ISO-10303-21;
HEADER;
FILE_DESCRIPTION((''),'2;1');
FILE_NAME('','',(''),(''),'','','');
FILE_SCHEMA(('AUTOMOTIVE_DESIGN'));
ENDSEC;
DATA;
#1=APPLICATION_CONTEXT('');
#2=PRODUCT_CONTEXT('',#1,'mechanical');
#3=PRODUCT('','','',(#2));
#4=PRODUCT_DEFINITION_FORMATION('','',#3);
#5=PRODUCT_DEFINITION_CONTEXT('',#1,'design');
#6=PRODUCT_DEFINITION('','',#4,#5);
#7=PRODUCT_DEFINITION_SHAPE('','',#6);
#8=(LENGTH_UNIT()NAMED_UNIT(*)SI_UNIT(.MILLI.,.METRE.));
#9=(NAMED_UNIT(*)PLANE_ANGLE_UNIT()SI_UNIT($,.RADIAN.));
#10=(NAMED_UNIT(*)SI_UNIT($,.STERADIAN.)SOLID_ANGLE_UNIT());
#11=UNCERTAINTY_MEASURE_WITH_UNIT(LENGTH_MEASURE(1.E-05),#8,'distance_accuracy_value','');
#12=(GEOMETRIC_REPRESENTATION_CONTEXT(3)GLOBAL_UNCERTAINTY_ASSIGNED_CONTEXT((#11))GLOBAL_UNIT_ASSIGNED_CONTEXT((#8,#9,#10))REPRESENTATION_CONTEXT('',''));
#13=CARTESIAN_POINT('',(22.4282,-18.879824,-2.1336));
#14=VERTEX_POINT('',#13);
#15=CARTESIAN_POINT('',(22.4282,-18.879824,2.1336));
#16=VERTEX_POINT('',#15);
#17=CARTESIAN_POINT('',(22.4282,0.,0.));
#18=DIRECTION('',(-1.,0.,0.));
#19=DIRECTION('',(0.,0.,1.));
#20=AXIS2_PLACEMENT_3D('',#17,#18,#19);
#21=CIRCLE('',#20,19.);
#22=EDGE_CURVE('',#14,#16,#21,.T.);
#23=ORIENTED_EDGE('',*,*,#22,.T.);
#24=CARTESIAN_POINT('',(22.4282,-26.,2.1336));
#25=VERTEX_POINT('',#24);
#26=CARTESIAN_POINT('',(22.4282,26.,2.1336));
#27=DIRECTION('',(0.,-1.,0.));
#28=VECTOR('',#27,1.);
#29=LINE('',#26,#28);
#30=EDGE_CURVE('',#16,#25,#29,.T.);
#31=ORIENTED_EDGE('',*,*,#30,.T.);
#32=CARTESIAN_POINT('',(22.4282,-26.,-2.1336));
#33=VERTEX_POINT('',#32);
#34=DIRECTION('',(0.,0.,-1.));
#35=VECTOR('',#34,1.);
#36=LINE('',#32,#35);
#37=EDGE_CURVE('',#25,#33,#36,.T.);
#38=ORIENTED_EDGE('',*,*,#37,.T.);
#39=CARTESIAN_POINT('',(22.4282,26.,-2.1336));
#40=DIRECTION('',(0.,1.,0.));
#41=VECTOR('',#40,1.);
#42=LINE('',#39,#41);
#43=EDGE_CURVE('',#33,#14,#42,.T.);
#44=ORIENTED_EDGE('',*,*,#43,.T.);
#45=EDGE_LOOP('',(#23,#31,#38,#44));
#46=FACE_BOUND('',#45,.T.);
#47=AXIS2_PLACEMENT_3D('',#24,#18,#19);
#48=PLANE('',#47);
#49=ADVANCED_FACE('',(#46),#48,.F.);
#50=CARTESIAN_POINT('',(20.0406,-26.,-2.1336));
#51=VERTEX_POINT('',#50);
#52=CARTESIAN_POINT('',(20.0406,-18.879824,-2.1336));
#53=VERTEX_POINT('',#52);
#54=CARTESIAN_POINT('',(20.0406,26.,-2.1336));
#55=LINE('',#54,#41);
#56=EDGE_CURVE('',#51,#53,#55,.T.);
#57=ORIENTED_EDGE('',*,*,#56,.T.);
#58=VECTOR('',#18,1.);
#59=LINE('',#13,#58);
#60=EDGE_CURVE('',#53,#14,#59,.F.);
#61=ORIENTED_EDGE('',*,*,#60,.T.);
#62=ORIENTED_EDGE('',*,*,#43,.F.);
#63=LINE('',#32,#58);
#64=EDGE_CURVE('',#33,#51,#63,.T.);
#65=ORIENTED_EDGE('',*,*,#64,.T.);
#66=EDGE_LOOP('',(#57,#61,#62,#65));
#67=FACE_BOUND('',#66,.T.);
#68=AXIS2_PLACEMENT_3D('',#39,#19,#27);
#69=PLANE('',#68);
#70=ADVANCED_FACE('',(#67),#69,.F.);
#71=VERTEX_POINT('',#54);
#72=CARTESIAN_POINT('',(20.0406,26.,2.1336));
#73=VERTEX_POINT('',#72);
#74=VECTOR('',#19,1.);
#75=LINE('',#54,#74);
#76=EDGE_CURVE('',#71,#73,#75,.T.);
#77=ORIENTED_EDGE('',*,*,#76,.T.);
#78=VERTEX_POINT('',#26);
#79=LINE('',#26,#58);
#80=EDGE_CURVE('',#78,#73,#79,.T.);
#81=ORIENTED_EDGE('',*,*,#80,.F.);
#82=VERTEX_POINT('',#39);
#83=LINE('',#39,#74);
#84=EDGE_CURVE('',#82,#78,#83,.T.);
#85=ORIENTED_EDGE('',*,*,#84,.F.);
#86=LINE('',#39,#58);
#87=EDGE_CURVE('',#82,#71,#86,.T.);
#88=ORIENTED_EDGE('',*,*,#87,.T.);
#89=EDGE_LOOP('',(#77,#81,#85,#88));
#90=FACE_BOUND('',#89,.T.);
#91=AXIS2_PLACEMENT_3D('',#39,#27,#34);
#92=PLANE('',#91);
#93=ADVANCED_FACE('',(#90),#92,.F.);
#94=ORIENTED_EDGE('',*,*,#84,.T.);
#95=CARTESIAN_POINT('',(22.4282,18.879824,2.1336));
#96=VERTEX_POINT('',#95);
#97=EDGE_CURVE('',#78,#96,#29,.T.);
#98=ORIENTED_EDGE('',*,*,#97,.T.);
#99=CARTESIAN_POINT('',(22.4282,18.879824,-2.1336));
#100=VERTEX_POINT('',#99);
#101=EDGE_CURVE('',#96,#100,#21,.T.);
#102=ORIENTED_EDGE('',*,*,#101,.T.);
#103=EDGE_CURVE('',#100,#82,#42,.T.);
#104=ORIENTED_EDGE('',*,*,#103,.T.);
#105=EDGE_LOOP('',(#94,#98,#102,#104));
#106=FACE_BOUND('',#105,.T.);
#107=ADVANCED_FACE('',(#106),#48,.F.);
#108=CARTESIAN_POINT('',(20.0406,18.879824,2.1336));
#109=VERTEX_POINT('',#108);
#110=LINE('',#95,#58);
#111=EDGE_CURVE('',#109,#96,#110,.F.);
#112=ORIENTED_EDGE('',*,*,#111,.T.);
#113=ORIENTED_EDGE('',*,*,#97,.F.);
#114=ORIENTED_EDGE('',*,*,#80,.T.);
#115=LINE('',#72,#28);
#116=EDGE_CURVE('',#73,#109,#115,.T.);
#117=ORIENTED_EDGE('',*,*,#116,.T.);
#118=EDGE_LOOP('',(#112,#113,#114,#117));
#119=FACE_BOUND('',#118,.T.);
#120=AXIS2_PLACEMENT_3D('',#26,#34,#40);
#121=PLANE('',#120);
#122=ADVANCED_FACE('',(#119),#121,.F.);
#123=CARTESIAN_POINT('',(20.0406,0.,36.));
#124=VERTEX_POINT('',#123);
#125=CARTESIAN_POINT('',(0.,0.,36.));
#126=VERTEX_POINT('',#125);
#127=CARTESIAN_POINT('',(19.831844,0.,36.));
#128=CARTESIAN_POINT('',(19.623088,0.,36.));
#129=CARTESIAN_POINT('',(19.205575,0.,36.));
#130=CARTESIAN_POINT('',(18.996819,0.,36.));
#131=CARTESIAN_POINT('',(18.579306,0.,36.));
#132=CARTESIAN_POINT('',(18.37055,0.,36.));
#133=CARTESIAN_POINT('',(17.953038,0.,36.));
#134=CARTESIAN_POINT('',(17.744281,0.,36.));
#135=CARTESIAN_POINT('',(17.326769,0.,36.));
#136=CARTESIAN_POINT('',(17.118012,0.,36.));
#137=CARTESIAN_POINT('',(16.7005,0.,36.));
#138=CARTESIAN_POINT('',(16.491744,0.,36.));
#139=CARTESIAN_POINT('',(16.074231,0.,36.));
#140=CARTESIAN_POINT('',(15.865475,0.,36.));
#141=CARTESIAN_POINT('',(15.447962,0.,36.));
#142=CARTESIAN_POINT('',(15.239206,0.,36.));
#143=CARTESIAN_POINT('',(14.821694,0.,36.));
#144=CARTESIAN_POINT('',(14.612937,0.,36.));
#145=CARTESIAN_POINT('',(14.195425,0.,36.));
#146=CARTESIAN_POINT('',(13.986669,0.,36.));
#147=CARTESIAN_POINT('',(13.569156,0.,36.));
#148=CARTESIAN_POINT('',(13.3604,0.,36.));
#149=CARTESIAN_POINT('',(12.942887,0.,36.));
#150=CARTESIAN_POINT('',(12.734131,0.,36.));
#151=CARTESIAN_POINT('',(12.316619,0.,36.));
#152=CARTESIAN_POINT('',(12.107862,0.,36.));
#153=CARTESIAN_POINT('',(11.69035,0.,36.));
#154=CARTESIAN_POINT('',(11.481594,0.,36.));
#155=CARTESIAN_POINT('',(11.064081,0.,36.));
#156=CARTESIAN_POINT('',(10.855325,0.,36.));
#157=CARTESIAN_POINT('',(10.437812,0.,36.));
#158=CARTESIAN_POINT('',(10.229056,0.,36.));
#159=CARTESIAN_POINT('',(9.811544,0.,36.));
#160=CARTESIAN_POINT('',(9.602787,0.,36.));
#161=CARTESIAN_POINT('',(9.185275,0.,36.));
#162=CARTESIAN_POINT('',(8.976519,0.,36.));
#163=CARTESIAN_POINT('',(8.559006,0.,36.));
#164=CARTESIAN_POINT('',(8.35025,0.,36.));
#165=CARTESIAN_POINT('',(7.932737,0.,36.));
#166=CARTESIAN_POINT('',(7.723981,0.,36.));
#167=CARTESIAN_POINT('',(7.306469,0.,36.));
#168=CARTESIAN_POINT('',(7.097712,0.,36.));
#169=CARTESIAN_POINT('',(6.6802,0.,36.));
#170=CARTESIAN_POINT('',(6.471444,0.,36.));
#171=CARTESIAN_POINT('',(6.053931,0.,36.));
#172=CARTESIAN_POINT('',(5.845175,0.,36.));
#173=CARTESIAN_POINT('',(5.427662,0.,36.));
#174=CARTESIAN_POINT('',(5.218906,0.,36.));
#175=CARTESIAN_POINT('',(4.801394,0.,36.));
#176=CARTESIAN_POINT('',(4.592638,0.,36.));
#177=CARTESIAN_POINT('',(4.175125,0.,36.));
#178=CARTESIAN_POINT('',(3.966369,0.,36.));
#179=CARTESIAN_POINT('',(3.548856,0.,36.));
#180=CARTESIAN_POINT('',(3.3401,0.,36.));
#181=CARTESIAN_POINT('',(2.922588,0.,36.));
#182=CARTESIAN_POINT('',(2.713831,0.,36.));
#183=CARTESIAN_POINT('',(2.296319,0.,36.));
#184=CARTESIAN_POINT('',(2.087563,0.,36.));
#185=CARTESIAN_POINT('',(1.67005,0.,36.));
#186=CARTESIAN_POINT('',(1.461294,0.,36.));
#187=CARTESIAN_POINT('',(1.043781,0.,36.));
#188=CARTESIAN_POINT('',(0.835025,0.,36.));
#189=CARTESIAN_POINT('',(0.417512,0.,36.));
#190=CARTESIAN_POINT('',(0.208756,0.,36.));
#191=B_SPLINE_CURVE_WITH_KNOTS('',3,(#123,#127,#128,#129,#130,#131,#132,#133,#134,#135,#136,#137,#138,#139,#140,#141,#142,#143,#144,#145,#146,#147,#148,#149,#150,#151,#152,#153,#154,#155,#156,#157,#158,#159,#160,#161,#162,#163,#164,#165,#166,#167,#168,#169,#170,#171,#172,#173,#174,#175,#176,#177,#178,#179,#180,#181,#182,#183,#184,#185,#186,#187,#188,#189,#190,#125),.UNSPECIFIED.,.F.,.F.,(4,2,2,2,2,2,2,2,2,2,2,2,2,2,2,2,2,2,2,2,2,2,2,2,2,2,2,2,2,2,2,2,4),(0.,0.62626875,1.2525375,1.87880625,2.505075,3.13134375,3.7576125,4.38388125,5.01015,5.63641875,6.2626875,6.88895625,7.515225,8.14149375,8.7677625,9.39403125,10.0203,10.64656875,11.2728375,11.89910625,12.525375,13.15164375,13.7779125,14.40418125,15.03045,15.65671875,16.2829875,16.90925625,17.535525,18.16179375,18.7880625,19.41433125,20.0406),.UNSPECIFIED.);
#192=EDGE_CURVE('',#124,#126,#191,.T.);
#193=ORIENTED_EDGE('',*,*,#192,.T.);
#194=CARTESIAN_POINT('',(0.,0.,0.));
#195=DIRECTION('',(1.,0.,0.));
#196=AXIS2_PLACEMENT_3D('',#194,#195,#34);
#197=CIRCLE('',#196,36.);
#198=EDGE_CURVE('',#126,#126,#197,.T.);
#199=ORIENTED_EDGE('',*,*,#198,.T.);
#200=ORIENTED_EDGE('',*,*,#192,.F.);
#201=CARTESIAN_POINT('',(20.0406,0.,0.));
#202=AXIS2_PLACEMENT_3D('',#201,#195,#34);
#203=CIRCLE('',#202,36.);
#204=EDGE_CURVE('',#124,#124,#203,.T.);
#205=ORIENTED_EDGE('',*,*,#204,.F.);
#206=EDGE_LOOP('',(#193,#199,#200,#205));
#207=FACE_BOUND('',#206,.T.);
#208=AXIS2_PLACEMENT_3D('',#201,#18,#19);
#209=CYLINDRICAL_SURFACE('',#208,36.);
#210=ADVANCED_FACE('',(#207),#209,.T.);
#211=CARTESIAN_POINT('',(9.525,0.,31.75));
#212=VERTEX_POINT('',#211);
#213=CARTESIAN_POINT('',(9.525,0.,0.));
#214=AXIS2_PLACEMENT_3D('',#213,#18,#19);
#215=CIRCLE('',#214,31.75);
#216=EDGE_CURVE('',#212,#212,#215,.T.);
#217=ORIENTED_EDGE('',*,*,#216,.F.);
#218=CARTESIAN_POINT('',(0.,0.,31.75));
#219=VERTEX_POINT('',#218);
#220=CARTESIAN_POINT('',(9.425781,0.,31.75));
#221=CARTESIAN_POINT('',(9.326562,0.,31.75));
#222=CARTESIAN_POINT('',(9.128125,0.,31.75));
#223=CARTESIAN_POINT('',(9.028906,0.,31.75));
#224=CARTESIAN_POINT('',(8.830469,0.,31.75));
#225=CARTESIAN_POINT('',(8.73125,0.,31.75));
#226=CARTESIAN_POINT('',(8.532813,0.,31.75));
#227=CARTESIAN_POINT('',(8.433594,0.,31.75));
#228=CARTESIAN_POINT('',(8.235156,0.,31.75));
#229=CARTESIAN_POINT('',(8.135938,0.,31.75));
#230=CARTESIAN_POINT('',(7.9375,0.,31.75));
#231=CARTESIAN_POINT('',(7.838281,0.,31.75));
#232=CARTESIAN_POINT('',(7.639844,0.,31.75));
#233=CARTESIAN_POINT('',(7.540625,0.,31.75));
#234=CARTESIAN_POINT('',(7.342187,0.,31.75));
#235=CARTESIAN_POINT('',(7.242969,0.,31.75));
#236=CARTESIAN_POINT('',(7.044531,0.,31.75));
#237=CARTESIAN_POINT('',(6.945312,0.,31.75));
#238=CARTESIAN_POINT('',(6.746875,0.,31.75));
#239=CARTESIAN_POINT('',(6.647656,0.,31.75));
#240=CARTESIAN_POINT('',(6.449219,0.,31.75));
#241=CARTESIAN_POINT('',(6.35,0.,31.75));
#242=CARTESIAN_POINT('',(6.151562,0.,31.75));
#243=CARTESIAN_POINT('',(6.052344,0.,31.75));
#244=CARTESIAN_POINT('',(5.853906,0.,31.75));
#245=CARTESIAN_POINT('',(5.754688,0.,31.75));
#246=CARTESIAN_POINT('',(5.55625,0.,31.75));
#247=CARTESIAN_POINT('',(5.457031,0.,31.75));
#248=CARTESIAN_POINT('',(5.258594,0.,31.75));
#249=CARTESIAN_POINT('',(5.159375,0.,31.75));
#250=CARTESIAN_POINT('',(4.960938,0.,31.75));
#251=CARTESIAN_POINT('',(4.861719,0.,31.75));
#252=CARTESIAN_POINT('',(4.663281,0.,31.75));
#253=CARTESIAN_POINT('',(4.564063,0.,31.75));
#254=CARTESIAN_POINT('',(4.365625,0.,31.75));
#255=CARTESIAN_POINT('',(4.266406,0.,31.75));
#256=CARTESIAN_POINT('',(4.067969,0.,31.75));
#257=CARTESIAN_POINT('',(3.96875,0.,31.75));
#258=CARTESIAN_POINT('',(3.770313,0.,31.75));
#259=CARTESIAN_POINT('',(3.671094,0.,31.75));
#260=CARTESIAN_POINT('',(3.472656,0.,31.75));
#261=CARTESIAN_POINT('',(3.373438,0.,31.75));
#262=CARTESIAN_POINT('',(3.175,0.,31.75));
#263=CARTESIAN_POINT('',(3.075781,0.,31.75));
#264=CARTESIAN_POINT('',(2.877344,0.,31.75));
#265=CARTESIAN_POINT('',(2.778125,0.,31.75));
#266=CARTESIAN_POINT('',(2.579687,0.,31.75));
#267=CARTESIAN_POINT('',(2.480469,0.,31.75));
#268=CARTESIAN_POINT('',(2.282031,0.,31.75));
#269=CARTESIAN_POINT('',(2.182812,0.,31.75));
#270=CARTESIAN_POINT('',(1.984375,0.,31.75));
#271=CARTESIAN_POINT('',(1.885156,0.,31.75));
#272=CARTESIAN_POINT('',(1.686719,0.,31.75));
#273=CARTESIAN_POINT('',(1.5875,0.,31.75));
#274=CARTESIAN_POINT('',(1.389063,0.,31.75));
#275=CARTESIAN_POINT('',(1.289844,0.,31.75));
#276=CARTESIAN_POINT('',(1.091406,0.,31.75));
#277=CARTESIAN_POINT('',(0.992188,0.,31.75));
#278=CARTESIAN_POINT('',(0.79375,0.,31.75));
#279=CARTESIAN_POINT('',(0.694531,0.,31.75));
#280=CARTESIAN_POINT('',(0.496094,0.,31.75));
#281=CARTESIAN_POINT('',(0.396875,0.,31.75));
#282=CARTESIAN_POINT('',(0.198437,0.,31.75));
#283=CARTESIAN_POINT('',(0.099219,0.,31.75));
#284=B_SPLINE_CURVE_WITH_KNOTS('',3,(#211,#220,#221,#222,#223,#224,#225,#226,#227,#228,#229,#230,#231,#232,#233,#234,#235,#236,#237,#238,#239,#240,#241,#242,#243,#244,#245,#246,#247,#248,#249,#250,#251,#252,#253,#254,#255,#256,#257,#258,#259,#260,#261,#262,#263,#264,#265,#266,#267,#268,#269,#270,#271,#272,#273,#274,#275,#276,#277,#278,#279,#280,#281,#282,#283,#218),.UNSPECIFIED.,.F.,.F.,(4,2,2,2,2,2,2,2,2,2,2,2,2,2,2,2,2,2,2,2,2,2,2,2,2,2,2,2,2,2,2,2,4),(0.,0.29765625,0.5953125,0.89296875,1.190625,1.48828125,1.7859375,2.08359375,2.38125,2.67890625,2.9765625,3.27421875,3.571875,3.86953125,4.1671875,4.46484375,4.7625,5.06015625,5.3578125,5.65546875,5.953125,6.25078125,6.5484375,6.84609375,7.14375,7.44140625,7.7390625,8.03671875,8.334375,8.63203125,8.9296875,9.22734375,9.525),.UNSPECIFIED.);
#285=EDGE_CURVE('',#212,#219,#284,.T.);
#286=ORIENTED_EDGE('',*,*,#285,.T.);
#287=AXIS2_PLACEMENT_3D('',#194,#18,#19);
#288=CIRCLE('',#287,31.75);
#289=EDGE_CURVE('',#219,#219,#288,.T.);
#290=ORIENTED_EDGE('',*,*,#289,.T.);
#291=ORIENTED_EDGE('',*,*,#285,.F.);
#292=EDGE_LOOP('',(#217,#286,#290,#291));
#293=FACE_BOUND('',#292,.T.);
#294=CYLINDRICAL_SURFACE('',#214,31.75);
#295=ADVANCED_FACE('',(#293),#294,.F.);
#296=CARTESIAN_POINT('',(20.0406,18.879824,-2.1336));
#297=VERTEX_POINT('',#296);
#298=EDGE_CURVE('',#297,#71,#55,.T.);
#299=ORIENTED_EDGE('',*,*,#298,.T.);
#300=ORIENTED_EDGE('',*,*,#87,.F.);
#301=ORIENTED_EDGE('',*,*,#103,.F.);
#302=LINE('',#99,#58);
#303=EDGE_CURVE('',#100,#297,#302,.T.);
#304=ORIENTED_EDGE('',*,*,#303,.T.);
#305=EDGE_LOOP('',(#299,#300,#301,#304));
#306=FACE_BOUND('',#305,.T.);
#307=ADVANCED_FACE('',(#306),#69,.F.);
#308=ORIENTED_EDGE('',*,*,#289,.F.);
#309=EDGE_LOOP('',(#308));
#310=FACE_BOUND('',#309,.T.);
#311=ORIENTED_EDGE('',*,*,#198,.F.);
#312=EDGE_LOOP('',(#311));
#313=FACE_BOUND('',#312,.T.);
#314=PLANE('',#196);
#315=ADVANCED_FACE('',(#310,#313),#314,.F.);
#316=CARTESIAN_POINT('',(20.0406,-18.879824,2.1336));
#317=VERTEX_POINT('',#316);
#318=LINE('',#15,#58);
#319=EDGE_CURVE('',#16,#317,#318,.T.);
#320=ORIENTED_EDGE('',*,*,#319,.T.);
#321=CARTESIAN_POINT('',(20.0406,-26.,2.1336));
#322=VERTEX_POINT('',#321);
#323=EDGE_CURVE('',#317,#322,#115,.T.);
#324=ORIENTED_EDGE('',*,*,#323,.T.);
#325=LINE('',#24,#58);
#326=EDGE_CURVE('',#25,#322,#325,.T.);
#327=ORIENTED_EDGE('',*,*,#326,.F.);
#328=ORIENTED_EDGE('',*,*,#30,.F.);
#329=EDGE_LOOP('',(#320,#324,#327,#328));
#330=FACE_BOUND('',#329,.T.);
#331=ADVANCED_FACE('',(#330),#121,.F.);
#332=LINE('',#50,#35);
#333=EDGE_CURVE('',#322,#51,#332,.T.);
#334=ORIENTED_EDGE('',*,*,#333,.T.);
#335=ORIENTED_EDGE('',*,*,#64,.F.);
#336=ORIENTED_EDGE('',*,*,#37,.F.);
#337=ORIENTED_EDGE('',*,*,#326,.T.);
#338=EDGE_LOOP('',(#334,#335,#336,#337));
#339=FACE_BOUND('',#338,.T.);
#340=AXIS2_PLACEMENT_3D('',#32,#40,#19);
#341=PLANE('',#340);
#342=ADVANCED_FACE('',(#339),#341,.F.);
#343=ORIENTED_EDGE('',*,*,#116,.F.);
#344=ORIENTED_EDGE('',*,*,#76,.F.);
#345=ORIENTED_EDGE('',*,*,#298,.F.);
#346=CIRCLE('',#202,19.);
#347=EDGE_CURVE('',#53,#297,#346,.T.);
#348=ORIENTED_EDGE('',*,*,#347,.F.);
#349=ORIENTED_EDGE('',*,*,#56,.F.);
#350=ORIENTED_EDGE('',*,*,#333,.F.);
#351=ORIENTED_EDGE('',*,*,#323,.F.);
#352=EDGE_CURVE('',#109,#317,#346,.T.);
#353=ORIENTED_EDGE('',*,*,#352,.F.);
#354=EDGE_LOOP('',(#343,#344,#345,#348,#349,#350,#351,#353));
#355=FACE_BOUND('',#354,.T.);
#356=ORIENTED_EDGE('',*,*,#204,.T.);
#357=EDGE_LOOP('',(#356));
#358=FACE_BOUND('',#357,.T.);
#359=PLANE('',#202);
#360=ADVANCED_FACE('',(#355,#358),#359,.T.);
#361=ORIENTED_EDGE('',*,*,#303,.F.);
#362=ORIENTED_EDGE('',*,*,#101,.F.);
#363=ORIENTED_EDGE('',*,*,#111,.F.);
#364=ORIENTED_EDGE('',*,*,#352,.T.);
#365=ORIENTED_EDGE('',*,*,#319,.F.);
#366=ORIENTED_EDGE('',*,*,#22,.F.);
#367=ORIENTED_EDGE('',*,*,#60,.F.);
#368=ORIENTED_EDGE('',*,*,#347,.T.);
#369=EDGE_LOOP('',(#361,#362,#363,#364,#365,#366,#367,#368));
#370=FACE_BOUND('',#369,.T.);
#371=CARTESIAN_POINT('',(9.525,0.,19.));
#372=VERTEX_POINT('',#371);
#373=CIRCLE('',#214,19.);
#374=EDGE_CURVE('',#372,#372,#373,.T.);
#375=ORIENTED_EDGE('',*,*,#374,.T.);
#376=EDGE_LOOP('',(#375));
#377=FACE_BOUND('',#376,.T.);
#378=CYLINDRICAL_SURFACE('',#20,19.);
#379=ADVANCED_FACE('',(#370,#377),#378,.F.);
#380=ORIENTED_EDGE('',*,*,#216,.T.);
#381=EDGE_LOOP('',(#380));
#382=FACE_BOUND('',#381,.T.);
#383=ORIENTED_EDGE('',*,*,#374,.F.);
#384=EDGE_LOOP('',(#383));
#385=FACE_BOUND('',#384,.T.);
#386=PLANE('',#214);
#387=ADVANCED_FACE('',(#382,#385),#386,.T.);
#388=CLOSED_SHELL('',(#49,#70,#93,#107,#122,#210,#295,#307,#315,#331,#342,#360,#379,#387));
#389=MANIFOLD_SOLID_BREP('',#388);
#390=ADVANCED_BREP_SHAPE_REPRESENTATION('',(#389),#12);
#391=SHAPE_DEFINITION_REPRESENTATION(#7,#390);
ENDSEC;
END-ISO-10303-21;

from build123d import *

# Parameters (mm, degrees)
SKETCH13_R           = 36
BOSS_EXTRUDE11_DEPTH = 20.0406
SKETCH14_R           = 31.75
CUT_EXTRUDE2_DEPTH   = 9.525
SKETCH16_W           = 4.2672
SKETCH16_H           = 52
BOSS_EXTRUDE12_DEPTH = 2.3876
SKETCH15_R           = 19
CUT_EXTRUDE3_DEPTH   = 56.632941278


with BuildPart() as part:
    # Sketch13 → Boss-Extrude11 (new body)
    with BuildSketch(Plane(origin=(0, 0, 0), x_dir=(0, 0, -1), z_dir=(1, 0, 0))):
        with Locations(Location((0, 0, 0), (0, 0, 180))):
            Circle(SKETCH13_R)
    extrude(amount=BOSS_EXTRUDE11_DEPTH)

    # Sketch14 → Cut-Extrude2 (cut)
    with BuildSketch(Plane.ZY):
        Circle(SKETCH14_R)
    extrude(amount=-CUT_EXTRUDE2_DEPTH, mode=Mode.SUBTRACT)

    # Sketch16 → Boss-Extrude12 (add)
    with BuildSketch(Plane(origin=(20.0406, 0, 0), x_dir=(0, 0, -1), z_dir=(1, 0, 0))):
        Rectangle(SKETCH16_W, SKETCH16_H)
    extrude(amount=BOSS_EXTRUDE12_DEPTH)

    # Sketch15 → Cut-Extrude3 (cut, through all)
    with BuildSketch(Plane.ZY):
        Circle(SKETCH15_R)
    extrude(amount=-CUT_EXTRUDE3_DEPTH, mode=Mode.SUBTRACT)


solid = part.part
